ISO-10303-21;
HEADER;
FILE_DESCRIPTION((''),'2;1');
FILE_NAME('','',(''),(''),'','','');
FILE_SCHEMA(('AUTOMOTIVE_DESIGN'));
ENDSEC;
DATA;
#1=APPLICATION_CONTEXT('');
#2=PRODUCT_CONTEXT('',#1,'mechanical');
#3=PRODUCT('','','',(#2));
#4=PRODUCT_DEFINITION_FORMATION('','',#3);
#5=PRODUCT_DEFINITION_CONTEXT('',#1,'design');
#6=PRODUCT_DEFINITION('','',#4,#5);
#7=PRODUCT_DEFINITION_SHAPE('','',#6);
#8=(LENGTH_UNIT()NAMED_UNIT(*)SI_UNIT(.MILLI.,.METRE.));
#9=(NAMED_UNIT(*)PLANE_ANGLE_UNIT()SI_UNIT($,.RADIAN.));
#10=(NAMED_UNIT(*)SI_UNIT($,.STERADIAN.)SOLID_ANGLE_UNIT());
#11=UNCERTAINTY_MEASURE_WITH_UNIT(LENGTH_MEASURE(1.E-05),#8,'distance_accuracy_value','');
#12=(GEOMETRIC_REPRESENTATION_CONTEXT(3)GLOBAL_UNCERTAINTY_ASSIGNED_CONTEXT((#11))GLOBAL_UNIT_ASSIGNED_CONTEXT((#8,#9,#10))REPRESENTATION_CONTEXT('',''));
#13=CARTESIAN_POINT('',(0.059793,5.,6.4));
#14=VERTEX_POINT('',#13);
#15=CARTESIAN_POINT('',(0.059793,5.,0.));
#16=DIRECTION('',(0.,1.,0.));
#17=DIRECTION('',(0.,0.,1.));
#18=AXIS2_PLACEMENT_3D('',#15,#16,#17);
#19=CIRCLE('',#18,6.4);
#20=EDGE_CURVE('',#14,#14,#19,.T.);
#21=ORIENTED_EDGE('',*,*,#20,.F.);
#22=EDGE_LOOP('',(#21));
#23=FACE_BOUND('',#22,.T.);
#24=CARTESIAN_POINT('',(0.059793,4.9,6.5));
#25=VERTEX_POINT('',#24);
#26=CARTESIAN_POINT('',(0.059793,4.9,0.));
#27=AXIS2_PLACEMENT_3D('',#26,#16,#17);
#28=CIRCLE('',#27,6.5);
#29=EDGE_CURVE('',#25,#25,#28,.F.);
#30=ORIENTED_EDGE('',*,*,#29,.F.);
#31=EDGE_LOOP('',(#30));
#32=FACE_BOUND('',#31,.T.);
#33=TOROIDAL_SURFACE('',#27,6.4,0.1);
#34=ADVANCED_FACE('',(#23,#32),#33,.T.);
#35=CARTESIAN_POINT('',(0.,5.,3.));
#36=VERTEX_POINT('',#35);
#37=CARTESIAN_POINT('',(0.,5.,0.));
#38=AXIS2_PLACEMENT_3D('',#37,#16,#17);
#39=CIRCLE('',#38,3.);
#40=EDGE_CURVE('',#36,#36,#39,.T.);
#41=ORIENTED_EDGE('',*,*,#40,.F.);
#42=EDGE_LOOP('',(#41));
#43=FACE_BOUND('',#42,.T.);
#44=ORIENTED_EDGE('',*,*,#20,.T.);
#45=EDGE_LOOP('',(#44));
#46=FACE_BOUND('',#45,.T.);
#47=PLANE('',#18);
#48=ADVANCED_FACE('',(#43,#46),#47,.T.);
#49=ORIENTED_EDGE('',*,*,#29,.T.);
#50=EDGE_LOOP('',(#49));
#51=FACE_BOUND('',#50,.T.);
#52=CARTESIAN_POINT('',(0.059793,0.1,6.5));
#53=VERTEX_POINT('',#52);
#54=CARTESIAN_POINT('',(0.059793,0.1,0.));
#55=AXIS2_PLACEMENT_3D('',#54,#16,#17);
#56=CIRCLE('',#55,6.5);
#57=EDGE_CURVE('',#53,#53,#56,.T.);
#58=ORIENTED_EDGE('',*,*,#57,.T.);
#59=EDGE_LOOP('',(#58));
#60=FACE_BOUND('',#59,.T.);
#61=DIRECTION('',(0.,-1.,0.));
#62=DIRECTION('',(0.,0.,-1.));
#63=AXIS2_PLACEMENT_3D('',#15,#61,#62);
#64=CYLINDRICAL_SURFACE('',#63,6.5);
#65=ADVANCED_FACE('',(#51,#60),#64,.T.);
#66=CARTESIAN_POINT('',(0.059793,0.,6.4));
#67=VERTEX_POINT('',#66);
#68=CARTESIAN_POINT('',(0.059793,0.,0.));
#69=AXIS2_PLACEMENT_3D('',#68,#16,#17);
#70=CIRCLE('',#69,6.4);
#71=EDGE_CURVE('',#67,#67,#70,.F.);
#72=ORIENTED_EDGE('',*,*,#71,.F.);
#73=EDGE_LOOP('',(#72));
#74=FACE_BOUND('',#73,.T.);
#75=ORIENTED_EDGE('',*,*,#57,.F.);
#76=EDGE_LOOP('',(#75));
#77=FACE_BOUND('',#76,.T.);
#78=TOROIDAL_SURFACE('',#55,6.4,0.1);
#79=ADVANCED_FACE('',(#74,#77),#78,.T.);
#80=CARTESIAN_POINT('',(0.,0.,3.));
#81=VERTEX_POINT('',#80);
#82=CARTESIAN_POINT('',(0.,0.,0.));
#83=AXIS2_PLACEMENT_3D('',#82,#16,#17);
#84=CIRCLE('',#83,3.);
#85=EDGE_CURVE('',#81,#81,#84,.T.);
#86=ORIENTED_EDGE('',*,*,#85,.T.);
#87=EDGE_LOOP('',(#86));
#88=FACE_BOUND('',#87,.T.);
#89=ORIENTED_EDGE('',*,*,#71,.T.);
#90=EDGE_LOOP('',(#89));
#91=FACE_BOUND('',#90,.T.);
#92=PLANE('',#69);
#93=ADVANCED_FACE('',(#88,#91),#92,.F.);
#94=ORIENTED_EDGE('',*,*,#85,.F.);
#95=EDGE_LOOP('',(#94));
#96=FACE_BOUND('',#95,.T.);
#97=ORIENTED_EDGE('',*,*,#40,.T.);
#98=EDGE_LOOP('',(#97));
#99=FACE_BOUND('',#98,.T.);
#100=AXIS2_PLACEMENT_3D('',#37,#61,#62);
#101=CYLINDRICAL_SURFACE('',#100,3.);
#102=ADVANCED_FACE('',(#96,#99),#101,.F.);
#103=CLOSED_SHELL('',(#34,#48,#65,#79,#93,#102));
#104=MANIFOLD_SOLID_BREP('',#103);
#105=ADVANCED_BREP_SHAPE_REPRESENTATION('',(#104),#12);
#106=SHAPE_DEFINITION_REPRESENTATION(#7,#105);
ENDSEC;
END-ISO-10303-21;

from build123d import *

# Parameters (mm, degrees)
SKETCH1_R           = 6.5
SKETCH1_R_2         = 3
BOSS_EXTRUDE1_DEPTH = 5
FILLET1_R           = 0.1


with BuildPart() as part:
    # Sketch1 → Boss-Extrude1 (new body)
    with BuildSketch(Plane(origin=(0, 0, 0), x_dir=(1, 0, 0), z_dir=(0, 1, 0))):
        with Locations((0.059793137, 0)):
            Circle(SKETCH1_R)
        Circle(SKETCH1_R_2, mode=Mode.SUBTRACT)
    extrude(amount=BOSS_EXTRUDE1_DEPTH)

    # Fillet1
    fillet1_edges = [part.edges().sort_by_distance(p)[0] for p in [
        (-6.440206863, 0, 0),
        (-6.440206863, 5, 0),
    ]]
    fillet(fillet1_edges, radius=FILLET1_R)


solid = part.part
